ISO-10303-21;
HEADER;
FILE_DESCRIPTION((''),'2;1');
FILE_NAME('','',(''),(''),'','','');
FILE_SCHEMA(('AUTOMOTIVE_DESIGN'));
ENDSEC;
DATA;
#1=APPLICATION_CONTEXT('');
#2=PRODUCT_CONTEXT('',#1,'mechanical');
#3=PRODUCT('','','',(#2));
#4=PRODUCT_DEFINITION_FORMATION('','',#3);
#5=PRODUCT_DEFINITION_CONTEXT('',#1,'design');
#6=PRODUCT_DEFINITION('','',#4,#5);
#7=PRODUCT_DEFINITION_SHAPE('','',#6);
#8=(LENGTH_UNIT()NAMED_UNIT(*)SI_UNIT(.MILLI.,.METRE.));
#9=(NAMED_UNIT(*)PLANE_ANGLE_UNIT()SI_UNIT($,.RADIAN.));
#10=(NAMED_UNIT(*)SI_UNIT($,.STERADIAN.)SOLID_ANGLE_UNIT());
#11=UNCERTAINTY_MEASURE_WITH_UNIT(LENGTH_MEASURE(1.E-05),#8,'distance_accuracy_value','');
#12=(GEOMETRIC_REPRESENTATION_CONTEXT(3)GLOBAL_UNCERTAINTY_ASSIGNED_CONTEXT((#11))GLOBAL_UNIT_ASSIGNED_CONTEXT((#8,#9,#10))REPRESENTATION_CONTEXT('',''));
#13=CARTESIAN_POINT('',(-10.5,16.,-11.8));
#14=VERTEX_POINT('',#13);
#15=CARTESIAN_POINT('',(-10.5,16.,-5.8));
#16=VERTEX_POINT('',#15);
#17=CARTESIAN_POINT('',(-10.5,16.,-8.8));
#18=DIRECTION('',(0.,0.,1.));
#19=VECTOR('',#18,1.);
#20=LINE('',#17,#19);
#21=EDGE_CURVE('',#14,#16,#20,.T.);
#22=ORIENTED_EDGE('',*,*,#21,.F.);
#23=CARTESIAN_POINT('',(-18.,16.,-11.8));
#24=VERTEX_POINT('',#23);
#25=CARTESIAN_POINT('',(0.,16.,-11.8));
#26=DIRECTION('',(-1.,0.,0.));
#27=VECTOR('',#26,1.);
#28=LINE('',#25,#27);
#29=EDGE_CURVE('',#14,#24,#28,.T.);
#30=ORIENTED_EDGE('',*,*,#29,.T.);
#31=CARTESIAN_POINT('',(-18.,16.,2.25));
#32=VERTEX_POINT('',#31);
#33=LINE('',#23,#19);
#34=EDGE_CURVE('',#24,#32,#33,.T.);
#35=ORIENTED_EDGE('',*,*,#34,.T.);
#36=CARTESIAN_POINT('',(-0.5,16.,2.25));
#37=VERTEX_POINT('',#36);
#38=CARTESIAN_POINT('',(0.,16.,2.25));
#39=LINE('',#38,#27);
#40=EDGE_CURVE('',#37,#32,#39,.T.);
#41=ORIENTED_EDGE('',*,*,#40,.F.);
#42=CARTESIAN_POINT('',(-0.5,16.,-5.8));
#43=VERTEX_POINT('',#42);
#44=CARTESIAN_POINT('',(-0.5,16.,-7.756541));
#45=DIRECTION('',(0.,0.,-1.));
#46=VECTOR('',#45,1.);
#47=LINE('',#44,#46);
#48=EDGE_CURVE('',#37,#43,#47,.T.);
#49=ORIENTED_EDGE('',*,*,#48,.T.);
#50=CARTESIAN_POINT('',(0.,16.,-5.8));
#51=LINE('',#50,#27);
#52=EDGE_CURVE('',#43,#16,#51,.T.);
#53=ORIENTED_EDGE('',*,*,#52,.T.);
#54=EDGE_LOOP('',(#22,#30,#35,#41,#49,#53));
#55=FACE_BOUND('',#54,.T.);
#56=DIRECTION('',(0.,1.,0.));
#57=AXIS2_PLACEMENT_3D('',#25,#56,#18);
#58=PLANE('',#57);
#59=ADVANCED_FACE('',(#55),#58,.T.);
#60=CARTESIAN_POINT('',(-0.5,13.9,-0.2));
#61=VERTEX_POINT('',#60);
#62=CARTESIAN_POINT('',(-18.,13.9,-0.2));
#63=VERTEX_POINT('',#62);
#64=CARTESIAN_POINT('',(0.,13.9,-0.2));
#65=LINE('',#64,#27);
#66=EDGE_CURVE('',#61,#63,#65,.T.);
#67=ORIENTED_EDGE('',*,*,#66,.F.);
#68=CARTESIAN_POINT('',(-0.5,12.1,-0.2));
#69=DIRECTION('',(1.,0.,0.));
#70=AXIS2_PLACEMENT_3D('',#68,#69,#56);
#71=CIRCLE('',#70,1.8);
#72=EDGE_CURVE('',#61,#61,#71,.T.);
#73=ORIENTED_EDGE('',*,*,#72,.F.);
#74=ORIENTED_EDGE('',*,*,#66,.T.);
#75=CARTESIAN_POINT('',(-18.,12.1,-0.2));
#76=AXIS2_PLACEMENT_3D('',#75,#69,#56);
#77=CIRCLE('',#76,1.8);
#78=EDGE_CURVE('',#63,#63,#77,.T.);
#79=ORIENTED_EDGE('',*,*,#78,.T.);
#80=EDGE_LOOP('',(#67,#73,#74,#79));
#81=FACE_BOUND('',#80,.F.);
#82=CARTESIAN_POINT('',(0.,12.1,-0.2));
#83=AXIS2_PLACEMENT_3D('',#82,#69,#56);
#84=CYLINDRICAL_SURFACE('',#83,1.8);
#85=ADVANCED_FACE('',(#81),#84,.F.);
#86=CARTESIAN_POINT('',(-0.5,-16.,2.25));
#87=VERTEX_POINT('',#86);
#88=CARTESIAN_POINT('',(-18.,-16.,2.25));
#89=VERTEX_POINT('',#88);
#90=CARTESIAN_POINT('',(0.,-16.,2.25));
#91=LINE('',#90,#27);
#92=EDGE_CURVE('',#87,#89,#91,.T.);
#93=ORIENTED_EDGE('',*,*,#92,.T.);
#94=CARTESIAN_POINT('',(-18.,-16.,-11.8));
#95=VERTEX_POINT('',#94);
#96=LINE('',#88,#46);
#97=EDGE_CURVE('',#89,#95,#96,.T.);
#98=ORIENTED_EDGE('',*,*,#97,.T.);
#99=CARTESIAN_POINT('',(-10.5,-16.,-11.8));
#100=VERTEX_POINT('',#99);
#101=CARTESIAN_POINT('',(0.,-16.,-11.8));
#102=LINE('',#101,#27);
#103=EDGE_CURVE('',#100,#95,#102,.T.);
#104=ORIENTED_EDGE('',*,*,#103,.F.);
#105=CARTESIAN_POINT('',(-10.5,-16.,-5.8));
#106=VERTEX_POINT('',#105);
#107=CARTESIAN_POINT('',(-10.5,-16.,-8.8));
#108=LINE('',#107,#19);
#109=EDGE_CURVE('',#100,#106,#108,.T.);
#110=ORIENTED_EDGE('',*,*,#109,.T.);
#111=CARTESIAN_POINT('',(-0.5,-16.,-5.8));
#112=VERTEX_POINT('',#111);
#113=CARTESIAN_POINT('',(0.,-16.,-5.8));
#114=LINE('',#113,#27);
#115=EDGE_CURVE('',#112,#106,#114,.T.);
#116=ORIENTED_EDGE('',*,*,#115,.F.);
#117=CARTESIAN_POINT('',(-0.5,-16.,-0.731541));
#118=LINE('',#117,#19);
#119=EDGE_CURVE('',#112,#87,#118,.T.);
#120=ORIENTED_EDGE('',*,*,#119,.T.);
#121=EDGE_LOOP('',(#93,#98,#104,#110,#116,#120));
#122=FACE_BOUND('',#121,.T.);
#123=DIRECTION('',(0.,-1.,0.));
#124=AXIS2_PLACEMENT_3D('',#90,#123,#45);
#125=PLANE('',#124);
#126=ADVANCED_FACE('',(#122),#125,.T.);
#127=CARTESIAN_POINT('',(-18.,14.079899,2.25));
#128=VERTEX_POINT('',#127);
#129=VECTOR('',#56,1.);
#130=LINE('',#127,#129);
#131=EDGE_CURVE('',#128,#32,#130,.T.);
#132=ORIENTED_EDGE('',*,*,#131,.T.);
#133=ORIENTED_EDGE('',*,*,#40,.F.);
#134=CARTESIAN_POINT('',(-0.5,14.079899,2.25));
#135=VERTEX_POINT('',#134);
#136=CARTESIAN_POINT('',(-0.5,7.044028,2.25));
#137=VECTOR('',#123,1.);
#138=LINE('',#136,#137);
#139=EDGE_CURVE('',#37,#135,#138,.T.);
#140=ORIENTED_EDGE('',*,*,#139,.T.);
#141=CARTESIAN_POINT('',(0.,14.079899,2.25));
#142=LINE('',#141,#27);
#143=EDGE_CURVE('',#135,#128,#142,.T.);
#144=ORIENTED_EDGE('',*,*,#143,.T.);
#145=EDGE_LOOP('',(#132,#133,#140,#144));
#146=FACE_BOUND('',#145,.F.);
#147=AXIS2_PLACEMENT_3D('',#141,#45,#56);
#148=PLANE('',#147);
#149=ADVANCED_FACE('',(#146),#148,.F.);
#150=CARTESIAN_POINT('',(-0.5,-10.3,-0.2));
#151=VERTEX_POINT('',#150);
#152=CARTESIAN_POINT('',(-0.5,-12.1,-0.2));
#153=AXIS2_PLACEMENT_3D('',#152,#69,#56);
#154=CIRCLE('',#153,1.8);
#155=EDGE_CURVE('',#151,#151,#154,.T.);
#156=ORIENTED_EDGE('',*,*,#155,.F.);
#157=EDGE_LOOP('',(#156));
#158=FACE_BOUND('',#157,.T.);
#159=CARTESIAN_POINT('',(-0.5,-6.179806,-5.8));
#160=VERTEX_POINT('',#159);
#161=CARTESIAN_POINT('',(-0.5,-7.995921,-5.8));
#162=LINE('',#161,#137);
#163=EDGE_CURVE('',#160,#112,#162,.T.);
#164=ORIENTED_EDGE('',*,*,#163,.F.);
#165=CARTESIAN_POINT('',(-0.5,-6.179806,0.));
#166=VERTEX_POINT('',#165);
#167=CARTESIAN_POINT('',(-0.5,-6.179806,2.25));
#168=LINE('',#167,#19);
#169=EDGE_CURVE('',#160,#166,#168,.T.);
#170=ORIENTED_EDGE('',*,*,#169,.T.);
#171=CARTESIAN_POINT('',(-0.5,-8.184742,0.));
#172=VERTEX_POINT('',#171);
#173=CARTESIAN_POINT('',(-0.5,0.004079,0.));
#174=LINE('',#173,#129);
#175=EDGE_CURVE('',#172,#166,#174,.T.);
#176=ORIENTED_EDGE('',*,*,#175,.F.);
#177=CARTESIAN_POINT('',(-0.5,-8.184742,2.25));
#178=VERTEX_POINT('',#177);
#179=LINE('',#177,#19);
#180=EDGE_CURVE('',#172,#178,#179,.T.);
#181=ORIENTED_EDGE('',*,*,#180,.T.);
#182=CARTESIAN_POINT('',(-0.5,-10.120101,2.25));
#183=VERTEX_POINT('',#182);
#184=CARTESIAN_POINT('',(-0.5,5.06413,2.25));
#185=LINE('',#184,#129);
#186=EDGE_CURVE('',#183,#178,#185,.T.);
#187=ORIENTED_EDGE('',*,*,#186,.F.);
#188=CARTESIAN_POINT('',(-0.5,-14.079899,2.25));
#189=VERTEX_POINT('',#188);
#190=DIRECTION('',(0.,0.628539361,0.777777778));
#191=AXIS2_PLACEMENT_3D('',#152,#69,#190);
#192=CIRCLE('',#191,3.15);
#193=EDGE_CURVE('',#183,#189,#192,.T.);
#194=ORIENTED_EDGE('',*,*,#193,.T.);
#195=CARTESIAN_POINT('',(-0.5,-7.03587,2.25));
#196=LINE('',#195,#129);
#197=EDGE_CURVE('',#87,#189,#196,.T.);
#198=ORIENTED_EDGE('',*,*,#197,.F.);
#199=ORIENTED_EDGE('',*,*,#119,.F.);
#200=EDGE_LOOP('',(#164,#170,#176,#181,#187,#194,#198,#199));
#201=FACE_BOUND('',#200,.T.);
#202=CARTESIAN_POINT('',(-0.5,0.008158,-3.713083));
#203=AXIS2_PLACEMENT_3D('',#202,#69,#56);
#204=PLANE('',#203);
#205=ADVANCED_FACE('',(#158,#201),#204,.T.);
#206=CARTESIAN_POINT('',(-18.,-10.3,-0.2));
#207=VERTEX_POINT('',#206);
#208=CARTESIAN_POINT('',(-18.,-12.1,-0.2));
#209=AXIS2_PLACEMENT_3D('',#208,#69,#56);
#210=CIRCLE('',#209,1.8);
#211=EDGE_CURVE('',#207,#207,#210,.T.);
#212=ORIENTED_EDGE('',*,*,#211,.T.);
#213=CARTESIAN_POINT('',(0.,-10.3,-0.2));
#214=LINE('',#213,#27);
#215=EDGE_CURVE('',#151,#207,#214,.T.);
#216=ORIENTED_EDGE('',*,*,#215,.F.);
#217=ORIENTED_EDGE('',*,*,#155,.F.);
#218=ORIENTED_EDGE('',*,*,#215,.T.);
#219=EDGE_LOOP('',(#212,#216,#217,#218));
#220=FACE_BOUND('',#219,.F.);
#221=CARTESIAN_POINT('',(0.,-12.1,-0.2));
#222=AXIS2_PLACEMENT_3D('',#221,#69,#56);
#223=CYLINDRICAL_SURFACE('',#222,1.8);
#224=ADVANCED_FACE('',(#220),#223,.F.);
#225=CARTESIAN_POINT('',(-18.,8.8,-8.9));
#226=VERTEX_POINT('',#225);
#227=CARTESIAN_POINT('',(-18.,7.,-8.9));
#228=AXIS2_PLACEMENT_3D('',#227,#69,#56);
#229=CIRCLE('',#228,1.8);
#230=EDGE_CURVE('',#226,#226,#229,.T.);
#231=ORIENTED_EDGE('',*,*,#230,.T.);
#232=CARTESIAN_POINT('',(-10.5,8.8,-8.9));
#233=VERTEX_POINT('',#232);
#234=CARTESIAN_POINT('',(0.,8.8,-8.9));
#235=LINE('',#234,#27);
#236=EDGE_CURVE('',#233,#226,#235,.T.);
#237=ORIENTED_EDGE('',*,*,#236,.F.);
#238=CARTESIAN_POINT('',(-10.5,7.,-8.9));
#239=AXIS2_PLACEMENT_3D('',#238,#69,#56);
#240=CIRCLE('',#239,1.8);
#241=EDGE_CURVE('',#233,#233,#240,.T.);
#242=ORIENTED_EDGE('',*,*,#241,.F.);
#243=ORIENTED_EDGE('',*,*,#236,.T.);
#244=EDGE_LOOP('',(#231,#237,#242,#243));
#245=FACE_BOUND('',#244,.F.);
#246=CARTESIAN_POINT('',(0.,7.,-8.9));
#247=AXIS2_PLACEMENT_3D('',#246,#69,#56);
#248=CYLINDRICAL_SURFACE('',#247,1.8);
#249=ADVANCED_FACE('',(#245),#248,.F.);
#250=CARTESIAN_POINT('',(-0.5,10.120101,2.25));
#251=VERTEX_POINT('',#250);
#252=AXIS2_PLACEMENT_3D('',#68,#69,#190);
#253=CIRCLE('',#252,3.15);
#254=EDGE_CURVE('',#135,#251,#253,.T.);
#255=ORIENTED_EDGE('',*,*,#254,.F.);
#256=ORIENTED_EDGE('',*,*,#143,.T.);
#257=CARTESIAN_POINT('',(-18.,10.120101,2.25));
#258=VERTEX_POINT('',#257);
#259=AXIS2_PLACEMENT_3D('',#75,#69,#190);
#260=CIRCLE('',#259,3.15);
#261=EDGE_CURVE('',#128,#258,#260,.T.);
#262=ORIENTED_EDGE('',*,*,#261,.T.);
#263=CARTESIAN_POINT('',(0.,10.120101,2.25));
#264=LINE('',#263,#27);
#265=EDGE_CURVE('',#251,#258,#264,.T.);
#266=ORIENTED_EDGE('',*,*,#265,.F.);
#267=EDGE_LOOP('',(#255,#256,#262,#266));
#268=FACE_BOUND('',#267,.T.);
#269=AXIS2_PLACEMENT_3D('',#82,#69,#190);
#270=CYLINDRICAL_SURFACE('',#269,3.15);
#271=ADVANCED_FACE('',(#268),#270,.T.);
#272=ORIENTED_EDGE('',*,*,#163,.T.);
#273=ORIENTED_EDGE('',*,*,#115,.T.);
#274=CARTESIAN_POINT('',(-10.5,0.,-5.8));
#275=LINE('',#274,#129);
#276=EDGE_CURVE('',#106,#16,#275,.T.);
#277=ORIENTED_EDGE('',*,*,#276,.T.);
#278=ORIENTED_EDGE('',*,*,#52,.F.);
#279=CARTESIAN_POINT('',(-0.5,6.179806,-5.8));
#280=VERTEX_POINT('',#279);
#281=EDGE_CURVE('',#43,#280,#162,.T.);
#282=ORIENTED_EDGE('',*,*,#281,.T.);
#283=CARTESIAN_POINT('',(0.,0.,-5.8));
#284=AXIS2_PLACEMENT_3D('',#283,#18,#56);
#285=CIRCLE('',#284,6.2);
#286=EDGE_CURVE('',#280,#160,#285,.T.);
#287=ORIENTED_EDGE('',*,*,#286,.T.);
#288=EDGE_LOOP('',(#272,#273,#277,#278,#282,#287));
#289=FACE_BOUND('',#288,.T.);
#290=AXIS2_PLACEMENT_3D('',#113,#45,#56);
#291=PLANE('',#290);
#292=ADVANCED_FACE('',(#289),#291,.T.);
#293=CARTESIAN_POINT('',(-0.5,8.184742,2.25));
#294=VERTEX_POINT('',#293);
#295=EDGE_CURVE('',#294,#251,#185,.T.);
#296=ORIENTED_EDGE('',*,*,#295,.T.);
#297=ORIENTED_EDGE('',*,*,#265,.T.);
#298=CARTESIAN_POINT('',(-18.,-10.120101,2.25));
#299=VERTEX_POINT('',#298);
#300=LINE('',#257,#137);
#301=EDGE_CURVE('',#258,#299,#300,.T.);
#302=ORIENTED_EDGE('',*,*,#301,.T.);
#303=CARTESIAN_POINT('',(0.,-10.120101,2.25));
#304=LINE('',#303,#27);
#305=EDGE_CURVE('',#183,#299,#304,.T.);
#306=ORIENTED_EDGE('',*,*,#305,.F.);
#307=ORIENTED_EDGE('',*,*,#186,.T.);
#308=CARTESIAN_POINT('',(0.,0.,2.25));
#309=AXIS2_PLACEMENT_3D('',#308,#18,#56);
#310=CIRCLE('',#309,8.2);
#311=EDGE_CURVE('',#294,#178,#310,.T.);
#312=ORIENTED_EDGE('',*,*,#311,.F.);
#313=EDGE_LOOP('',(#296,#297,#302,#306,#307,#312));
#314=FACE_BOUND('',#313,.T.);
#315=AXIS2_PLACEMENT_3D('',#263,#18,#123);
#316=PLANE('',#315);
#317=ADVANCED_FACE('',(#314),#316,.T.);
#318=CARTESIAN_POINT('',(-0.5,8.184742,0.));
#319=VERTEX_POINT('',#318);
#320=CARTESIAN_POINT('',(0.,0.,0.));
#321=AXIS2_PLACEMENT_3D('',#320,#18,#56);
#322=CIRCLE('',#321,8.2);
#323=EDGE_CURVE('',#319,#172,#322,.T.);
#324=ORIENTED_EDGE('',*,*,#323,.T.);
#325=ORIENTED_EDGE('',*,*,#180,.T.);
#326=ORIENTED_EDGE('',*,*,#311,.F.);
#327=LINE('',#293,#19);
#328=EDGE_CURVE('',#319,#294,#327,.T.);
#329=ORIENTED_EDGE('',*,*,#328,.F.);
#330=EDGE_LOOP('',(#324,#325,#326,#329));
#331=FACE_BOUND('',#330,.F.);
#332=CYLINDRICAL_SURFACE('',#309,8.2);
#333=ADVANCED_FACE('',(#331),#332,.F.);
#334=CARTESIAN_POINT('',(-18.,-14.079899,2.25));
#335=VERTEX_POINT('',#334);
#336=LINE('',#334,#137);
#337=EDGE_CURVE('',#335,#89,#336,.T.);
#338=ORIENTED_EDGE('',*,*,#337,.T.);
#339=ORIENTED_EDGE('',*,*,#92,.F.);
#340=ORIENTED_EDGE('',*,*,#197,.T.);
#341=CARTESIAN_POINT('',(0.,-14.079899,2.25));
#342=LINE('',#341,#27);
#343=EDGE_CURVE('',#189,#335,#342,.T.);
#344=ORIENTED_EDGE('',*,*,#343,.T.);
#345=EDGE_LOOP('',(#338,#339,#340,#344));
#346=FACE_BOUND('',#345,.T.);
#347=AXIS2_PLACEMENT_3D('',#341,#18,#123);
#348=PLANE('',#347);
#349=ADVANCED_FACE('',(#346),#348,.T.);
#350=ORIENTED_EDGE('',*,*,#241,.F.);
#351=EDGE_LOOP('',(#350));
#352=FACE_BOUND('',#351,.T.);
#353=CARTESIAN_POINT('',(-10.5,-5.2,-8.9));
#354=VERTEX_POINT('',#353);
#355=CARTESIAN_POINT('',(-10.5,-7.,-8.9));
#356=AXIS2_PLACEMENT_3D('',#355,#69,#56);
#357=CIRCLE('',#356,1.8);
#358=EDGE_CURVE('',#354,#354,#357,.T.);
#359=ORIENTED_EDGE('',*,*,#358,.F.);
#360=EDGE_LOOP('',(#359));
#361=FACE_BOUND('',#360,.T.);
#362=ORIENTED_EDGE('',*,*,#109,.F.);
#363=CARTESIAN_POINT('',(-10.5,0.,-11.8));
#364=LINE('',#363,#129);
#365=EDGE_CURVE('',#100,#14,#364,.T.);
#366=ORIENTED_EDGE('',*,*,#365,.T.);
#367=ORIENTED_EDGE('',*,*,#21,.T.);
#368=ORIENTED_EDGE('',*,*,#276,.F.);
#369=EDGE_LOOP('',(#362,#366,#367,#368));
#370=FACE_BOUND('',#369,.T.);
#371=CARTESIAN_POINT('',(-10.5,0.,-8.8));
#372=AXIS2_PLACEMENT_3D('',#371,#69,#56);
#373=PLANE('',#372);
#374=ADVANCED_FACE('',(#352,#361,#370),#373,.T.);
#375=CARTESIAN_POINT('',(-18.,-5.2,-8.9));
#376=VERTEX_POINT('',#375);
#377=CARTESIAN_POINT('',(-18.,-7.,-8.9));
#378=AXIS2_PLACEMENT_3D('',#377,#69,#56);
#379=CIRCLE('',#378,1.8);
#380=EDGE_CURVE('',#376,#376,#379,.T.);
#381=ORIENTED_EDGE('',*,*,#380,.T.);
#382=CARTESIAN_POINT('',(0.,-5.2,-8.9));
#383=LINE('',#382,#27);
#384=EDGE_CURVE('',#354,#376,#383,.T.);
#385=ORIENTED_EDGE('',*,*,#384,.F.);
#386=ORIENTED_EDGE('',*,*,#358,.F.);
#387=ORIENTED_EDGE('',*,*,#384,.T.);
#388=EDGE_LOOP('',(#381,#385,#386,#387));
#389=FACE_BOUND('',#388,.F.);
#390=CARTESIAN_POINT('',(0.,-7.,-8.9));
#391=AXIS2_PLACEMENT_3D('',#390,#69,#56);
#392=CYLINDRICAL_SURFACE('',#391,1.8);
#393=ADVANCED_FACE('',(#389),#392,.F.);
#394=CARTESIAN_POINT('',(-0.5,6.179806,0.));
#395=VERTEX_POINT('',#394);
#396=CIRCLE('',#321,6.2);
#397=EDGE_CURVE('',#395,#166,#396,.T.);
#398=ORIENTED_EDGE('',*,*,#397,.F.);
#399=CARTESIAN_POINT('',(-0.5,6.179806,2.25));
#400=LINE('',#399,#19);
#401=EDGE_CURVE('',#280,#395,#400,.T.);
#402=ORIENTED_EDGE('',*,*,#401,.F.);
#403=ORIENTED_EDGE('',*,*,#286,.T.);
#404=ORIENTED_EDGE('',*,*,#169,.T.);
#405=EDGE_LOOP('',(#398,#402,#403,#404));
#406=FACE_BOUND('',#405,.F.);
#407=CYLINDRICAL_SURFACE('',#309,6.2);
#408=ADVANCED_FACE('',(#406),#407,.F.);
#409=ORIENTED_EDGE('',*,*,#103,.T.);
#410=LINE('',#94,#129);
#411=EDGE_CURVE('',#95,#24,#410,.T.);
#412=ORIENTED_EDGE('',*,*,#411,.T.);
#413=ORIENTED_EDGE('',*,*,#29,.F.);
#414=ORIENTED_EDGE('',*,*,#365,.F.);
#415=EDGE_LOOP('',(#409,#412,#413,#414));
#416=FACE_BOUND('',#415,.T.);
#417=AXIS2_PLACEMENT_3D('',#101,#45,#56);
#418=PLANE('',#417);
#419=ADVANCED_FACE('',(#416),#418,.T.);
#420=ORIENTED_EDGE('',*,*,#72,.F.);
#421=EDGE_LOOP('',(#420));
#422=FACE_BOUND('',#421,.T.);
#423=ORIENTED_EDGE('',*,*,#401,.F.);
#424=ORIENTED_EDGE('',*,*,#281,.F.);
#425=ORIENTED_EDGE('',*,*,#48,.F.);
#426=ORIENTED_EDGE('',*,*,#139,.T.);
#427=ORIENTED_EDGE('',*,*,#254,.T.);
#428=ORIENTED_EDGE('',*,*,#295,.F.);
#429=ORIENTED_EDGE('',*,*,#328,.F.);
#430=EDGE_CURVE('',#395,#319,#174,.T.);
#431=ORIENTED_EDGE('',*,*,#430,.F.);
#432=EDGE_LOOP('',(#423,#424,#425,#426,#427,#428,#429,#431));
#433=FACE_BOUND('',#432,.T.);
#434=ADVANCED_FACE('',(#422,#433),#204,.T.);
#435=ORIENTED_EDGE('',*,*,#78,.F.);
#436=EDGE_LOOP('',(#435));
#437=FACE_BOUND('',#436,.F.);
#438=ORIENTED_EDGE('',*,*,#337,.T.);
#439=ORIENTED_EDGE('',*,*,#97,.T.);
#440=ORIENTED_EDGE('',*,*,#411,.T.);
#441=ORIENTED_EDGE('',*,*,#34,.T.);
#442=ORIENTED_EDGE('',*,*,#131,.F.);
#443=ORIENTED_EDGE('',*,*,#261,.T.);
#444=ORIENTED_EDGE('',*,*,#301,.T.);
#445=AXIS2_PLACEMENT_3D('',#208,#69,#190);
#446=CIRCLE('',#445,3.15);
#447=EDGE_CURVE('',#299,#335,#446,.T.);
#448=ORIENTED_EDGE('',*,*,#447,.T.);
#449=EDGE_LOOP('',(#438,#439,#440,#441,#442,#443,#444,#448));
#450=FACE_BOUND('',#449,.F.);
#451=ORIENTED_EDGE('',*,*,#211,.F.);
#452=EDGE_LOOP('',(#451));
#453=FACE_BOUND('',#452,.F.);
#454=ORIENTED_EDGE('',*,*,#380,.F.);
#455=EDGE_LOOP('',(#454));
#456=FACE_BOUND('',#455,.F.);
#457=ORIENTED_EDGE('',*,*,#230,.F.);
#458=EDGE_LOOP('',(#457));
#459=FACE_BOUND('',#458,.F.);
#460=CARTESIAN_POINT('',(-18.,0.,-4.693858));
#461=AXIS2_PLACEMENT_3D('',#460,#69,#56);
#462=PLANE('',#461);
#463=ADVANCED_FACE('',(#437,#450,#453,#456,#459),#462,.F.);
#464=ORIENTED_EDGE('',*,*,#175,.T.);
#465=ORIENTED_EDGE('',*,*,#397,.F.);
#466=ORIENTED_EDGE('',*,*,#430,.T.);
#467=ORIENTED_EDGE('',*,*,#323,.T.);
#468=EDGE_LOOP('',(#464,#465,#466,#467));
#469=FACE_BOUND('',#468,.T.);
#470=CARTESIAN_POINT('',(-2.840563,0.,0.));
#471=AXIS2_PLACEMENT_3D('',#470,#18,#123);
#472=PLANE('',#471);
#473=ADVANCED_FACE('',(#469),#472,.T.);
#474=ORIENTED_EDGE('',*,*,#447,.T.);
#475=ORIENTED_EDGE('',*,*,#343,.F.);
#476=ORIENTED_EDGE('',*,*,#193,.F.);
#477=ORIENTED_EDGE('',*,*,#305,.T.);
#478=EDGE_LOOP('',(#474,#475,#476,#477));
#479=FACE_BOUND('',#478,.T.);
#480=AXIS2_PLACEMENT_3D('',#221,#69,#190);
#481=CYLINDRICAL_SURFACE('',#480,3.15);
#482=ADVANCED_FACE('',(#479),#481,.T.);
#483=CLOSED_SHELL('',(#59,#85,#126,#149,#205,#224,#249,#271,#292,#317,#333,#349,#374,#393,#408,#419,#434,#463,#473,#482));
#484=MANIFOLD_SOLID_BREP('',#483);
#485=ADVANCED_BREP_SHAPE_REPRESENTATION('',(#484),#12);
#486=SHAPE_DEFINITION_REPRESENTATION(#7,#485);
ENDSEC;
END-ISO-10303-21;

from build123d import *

# Parameters (mm, degrees)
SKETCH017_R     = 1.8
PAD008_DEPTH    = 18
SKETCH018_W     = 32
SKETCH018_H     = 6
POCKET_DEPTH    = 10.5
POCKET001_DEPTH = 14.051
POCKET002_DEPTH = 2.25
SKETCH_W        = 39.26252
SKETCH_H        = 23.934808
POCKET003_DEPTH = 0.5


with BuildPart() as part:
    # Sketch017 → Pad008 (new body)
    with BuildSketch(Plane.YZ):
        with BuildLine():
            Line((-16, 2.25), (-16, 0))
            Line((-16, 0), (-16, -5.8))
            Line((-16, -5.8), (-16, -11.8))
            Line((-16, -11.8), (16, -11.8))
            Line((16, -11.8), (16, -5.8))
            Line((16, -5.8), (16, 0))
            Line((16, 0), (16, 2.25))
            Line((14.0798989873, 2.25), (16, 2.25))
            ThreePointArc((14.0798989873, 2.25), (12.1, 2.95), (10.1201010127, 2.25))
            Line((10.1201010127, 2.25), (-10.1201010127, 2.25))
            ThreePointArc((-10.1201010127, 2.25), (-12.1, 2.95), (-14.0798989873, 2.25))
            Line((-14.0798989873, 2.25), (-16, 2.25))
        make_face()
        with Locations((-7, -8.9)):
            Circle(SKETCH017_R, mode=Mode.SUBTRACT)
        with Locations((7, -8.9)):
            Circle(SKETCH017_R, mode=Mode.SUBTRACT)
        with Locations((-12.1, -0.2)):
            Circle(SKETCH017_R, mode=Mode.SUBTRACT)
        with Locations((12.1, -0.2)):
            Circle(SKETCH017_R, mode=Mode.SUBTRACT)
    extrude(amount=-PAD008_DEPTH)

    # Sketch018 (on Face17 of Pad008) → Pocket (cut)
    with BuildSketch(Plane.YZ):
        with Locations((0, -8.8)):
            Rectangle(SKETCH018_W, SKETCH018_H)
    extrude(amount=-POCKET_DEPTH, mode=Mode.SUBTRACT)

    # Sketch019 (on Face3 of Pocket) → Pocket001 (cut, through all)
    with BuildSketch(Plane(origin=(0, 0, 2.25), x_dir=(0, -1, 0), z_dir=(0, 0, 1))):
        with BuildLine():
            ThreePointArc((-6.2, 0), (0, -6.2), (6.2, 0))
            Line((-6.2, 0), (6.2, 0))
        make_face()
    extrude(amount=-POCKET001_DEPTH, mode=Mode.SUBTRACT)

    # Sketch020 (on Face3 of Pocket001) → Pocket002 (cut)
    with BuildSketch(Plane(origin=(0, 0, 2.25), x_dir=(0, -1, 0), z_dir=(0, 0, 1))):
        with BuildLine():
            ThreePointArc((-8.2, 0), (0, -8.2), (8.2, 0))
            Line((-8.2, 0), (8.2, 0))
        make_face()
    extrude(amount=-POCKET002_DEPTH, mode=Mode.SUBTRACT)

    # Sketch (on Face8 of Pocket002) → Pocket003 (cut)
    with BuildSketch(Plane.YZ):
        with Locations((0.008158, -3.713083)):
            Rectangle(SKETCH_W, SKETCH_H)
    extrude(amount=-POCKET003_DEPTH, mode=Mode.SUBTRACT)


solid = part.part
